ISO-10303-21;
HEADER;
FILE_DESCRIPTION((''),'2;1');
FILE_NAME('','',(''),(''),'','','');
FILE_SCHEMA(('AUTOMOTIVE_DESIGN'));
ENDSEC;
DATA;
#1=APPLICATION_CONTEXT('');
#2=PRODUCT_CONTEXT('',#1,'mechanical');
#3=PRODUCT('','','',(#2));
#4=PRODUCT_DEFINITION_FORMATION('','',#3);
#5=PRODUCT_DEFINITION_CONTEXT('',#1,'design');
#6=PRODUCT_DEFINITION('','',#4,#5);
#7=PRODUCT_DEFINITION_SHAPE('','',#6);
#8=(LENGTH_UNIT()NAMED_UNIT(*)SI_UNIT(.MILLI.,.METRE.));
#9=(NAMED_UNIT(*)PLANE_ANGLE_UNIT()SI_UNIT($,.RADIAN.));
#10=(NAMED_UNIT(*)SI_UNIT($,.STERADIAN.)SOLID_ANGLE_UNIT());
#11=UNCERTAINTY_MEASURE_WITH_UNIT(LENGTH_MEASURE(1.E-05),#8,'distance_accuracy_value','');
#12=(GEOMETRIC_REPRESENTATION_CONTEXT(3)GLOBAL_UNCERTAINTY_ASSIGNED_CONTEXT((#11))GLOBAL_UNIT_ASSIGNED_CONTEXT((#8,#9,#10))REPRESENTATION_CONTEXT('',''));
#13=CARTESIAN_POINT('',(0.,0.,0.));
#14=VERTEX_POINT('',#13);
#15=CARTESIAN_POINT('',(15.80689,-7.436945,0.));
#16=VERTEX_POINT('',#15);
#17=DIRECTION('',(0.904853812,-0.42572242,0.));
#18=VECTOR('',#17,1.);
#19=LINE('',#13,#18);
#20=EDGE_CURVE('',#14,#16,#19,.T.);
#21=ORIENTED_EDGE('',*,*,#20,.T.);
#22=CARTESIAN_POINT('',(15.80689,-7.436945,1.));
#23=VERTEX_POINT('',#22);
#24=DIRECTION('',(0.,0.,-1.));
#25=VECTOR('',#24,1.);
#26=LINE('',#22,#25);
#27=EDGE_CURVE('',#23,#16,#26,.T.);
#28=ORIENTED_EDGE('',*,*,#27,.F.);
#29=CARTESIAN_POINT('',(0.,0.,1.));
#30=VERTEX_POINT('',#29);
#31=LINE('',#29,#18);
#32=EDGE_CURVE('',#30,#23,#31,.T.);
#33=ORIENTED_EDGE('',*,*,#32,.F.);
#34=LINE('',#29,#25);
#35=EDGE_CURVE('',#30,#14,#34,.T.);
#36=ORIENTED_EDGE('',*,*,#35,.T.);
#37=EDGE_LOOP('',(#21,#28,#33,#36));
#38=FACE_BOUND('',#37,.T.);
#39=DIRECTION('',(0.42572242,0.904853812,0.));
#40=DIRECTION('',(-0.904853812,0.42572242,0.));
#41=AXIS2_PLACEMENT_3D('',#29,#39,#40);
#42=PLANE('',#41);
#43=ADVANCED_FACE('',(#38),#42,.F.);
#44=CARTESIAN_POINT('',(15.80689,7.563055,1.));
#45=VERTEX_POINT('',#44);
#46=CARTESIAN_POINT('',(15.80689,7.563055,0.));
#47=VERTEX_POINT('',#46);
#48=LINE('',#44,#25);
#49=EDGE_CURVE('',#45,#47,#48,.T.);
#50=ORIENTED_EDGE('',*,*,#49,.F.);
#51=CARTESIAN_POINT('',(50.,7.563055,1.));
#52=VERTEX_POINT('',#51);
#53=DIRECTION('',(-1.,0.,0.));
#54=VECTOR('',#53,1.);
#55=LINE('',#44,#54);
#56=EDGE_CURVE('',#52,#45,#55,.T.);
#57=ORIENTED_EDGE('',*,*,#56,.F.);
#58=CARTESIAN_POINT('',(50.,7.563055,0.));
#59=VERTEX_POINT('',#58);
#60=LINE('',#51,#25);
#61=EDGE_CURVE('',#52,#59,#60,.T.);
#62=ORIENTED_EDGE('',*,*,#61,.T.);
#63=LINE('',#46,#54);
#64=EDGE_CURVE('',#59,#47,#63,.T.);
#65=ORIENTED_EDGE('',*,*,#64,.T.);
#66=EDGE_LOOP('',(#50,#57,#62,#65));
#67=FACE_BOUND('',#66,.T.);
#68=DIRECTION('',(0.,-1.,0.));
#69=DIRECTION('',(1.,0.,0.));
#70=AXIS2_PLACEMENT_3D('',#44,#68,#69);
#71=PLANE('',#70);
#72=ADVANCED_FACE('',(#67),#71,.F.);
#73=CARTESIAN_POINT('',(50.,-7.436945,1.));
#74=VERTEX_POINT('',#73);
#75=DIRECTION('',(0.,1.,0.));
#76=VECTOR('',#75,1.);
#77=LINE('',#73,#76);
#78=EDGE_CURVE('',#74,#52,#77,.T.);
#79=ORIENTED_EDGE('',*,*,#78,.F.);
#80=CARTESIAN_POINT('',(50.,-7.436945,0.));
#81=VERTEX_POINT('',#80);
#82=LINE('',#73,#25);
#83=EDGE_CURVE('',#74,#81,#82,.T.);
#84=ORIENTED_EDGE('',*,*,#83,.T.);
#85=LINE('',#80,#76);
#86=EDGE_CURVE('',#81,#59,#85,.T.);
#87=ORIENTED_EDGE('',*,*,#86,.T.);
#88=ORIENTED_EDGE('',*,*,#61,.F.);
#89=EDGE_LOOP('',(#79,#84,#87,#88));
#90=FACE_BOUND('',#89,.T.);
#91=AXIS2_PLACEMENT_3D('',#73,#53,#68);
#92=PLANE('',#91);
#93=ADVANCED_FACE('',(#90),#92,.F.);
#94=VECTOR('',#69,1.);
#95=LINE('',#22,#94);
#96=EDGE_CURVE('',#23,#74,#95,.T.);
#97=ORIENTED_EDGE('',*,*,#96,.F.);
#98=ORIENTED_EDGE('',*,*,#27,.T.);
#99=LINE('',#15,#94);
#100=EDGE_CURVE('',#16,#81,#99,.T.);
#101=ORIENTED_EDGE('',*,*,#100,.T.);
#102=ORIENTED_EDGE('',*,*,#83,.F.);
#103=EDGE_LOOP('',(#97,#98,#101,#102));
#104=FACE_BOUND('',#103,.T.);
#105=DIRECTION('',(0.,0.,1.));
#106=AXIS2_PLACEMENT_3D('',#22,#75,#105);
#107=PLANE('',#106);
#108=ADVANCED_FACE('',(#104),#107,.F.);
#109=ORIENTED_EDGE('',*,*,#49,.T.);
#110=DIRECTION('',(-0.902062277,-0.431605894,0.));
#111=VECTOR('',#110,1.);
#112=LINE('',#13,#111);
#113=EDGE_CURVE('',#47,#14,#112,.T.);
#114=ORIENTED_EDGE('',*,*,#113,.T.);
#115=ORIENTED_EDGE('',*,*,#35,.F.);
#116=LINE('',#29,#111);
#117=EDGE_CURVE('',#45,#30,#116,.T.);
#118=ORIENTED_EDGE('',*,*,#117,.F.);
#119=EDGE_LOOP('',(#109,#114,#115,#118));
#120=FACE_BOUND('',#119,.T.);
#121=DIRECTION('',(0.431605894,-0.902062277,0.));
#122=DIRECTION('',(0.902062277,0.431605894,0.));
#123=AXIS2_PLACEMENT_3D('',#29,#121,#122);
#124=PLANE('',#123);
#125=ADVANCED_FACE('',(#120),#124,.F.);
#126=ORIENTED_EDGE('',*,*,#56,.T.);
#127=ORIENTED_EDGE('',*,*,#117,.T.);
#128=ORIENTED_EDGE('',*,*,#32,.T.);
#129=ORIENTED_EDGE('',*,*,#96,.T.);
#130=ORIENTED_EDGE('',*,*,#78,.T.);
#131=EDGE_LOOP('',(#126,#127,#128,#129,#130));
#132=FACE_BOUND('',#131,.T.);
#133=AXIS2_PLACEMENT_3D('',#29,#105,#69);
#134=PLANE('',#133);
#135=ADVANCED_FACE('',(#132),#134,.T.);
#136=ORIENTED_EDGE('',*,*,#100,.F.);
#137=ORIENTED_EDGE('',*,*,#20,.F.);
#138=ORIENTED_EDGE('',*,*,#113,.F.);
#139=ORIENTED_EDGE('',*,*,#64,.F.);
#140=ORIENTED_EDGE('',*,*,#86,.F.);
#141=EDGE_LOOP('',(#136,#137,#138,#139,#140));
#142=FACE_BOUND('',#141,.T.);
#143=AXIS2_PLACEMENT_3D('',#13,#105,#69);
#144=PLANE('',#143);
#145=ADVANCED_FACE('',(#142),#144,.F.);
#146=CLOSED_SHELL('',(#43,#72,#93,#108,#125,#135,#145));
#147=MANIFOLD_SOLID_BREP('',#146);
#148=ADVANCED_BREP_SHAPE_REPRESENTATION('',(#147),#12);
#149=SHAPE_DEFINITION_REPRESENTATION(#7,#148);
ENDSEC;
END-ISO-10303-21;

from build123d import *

# Parameters (mm, degrees)
RESSALTO_EXTRUS_O1_DEPTH = 1


with BuildPart() as part:
    # Esboço1 → Ressalto-extrusão1 (new body)
    with BuildSketch(Plane.XY):
        Polygon((15.806890347, -7.436944525), (50, -7.436944525), (50, 7.563055475), (15.806890347, 7.563055475), (0, 0), align=None)
    extrude(amount=RESSALTO_EXTRUS_O1_DEPTH)


solid = part.part
